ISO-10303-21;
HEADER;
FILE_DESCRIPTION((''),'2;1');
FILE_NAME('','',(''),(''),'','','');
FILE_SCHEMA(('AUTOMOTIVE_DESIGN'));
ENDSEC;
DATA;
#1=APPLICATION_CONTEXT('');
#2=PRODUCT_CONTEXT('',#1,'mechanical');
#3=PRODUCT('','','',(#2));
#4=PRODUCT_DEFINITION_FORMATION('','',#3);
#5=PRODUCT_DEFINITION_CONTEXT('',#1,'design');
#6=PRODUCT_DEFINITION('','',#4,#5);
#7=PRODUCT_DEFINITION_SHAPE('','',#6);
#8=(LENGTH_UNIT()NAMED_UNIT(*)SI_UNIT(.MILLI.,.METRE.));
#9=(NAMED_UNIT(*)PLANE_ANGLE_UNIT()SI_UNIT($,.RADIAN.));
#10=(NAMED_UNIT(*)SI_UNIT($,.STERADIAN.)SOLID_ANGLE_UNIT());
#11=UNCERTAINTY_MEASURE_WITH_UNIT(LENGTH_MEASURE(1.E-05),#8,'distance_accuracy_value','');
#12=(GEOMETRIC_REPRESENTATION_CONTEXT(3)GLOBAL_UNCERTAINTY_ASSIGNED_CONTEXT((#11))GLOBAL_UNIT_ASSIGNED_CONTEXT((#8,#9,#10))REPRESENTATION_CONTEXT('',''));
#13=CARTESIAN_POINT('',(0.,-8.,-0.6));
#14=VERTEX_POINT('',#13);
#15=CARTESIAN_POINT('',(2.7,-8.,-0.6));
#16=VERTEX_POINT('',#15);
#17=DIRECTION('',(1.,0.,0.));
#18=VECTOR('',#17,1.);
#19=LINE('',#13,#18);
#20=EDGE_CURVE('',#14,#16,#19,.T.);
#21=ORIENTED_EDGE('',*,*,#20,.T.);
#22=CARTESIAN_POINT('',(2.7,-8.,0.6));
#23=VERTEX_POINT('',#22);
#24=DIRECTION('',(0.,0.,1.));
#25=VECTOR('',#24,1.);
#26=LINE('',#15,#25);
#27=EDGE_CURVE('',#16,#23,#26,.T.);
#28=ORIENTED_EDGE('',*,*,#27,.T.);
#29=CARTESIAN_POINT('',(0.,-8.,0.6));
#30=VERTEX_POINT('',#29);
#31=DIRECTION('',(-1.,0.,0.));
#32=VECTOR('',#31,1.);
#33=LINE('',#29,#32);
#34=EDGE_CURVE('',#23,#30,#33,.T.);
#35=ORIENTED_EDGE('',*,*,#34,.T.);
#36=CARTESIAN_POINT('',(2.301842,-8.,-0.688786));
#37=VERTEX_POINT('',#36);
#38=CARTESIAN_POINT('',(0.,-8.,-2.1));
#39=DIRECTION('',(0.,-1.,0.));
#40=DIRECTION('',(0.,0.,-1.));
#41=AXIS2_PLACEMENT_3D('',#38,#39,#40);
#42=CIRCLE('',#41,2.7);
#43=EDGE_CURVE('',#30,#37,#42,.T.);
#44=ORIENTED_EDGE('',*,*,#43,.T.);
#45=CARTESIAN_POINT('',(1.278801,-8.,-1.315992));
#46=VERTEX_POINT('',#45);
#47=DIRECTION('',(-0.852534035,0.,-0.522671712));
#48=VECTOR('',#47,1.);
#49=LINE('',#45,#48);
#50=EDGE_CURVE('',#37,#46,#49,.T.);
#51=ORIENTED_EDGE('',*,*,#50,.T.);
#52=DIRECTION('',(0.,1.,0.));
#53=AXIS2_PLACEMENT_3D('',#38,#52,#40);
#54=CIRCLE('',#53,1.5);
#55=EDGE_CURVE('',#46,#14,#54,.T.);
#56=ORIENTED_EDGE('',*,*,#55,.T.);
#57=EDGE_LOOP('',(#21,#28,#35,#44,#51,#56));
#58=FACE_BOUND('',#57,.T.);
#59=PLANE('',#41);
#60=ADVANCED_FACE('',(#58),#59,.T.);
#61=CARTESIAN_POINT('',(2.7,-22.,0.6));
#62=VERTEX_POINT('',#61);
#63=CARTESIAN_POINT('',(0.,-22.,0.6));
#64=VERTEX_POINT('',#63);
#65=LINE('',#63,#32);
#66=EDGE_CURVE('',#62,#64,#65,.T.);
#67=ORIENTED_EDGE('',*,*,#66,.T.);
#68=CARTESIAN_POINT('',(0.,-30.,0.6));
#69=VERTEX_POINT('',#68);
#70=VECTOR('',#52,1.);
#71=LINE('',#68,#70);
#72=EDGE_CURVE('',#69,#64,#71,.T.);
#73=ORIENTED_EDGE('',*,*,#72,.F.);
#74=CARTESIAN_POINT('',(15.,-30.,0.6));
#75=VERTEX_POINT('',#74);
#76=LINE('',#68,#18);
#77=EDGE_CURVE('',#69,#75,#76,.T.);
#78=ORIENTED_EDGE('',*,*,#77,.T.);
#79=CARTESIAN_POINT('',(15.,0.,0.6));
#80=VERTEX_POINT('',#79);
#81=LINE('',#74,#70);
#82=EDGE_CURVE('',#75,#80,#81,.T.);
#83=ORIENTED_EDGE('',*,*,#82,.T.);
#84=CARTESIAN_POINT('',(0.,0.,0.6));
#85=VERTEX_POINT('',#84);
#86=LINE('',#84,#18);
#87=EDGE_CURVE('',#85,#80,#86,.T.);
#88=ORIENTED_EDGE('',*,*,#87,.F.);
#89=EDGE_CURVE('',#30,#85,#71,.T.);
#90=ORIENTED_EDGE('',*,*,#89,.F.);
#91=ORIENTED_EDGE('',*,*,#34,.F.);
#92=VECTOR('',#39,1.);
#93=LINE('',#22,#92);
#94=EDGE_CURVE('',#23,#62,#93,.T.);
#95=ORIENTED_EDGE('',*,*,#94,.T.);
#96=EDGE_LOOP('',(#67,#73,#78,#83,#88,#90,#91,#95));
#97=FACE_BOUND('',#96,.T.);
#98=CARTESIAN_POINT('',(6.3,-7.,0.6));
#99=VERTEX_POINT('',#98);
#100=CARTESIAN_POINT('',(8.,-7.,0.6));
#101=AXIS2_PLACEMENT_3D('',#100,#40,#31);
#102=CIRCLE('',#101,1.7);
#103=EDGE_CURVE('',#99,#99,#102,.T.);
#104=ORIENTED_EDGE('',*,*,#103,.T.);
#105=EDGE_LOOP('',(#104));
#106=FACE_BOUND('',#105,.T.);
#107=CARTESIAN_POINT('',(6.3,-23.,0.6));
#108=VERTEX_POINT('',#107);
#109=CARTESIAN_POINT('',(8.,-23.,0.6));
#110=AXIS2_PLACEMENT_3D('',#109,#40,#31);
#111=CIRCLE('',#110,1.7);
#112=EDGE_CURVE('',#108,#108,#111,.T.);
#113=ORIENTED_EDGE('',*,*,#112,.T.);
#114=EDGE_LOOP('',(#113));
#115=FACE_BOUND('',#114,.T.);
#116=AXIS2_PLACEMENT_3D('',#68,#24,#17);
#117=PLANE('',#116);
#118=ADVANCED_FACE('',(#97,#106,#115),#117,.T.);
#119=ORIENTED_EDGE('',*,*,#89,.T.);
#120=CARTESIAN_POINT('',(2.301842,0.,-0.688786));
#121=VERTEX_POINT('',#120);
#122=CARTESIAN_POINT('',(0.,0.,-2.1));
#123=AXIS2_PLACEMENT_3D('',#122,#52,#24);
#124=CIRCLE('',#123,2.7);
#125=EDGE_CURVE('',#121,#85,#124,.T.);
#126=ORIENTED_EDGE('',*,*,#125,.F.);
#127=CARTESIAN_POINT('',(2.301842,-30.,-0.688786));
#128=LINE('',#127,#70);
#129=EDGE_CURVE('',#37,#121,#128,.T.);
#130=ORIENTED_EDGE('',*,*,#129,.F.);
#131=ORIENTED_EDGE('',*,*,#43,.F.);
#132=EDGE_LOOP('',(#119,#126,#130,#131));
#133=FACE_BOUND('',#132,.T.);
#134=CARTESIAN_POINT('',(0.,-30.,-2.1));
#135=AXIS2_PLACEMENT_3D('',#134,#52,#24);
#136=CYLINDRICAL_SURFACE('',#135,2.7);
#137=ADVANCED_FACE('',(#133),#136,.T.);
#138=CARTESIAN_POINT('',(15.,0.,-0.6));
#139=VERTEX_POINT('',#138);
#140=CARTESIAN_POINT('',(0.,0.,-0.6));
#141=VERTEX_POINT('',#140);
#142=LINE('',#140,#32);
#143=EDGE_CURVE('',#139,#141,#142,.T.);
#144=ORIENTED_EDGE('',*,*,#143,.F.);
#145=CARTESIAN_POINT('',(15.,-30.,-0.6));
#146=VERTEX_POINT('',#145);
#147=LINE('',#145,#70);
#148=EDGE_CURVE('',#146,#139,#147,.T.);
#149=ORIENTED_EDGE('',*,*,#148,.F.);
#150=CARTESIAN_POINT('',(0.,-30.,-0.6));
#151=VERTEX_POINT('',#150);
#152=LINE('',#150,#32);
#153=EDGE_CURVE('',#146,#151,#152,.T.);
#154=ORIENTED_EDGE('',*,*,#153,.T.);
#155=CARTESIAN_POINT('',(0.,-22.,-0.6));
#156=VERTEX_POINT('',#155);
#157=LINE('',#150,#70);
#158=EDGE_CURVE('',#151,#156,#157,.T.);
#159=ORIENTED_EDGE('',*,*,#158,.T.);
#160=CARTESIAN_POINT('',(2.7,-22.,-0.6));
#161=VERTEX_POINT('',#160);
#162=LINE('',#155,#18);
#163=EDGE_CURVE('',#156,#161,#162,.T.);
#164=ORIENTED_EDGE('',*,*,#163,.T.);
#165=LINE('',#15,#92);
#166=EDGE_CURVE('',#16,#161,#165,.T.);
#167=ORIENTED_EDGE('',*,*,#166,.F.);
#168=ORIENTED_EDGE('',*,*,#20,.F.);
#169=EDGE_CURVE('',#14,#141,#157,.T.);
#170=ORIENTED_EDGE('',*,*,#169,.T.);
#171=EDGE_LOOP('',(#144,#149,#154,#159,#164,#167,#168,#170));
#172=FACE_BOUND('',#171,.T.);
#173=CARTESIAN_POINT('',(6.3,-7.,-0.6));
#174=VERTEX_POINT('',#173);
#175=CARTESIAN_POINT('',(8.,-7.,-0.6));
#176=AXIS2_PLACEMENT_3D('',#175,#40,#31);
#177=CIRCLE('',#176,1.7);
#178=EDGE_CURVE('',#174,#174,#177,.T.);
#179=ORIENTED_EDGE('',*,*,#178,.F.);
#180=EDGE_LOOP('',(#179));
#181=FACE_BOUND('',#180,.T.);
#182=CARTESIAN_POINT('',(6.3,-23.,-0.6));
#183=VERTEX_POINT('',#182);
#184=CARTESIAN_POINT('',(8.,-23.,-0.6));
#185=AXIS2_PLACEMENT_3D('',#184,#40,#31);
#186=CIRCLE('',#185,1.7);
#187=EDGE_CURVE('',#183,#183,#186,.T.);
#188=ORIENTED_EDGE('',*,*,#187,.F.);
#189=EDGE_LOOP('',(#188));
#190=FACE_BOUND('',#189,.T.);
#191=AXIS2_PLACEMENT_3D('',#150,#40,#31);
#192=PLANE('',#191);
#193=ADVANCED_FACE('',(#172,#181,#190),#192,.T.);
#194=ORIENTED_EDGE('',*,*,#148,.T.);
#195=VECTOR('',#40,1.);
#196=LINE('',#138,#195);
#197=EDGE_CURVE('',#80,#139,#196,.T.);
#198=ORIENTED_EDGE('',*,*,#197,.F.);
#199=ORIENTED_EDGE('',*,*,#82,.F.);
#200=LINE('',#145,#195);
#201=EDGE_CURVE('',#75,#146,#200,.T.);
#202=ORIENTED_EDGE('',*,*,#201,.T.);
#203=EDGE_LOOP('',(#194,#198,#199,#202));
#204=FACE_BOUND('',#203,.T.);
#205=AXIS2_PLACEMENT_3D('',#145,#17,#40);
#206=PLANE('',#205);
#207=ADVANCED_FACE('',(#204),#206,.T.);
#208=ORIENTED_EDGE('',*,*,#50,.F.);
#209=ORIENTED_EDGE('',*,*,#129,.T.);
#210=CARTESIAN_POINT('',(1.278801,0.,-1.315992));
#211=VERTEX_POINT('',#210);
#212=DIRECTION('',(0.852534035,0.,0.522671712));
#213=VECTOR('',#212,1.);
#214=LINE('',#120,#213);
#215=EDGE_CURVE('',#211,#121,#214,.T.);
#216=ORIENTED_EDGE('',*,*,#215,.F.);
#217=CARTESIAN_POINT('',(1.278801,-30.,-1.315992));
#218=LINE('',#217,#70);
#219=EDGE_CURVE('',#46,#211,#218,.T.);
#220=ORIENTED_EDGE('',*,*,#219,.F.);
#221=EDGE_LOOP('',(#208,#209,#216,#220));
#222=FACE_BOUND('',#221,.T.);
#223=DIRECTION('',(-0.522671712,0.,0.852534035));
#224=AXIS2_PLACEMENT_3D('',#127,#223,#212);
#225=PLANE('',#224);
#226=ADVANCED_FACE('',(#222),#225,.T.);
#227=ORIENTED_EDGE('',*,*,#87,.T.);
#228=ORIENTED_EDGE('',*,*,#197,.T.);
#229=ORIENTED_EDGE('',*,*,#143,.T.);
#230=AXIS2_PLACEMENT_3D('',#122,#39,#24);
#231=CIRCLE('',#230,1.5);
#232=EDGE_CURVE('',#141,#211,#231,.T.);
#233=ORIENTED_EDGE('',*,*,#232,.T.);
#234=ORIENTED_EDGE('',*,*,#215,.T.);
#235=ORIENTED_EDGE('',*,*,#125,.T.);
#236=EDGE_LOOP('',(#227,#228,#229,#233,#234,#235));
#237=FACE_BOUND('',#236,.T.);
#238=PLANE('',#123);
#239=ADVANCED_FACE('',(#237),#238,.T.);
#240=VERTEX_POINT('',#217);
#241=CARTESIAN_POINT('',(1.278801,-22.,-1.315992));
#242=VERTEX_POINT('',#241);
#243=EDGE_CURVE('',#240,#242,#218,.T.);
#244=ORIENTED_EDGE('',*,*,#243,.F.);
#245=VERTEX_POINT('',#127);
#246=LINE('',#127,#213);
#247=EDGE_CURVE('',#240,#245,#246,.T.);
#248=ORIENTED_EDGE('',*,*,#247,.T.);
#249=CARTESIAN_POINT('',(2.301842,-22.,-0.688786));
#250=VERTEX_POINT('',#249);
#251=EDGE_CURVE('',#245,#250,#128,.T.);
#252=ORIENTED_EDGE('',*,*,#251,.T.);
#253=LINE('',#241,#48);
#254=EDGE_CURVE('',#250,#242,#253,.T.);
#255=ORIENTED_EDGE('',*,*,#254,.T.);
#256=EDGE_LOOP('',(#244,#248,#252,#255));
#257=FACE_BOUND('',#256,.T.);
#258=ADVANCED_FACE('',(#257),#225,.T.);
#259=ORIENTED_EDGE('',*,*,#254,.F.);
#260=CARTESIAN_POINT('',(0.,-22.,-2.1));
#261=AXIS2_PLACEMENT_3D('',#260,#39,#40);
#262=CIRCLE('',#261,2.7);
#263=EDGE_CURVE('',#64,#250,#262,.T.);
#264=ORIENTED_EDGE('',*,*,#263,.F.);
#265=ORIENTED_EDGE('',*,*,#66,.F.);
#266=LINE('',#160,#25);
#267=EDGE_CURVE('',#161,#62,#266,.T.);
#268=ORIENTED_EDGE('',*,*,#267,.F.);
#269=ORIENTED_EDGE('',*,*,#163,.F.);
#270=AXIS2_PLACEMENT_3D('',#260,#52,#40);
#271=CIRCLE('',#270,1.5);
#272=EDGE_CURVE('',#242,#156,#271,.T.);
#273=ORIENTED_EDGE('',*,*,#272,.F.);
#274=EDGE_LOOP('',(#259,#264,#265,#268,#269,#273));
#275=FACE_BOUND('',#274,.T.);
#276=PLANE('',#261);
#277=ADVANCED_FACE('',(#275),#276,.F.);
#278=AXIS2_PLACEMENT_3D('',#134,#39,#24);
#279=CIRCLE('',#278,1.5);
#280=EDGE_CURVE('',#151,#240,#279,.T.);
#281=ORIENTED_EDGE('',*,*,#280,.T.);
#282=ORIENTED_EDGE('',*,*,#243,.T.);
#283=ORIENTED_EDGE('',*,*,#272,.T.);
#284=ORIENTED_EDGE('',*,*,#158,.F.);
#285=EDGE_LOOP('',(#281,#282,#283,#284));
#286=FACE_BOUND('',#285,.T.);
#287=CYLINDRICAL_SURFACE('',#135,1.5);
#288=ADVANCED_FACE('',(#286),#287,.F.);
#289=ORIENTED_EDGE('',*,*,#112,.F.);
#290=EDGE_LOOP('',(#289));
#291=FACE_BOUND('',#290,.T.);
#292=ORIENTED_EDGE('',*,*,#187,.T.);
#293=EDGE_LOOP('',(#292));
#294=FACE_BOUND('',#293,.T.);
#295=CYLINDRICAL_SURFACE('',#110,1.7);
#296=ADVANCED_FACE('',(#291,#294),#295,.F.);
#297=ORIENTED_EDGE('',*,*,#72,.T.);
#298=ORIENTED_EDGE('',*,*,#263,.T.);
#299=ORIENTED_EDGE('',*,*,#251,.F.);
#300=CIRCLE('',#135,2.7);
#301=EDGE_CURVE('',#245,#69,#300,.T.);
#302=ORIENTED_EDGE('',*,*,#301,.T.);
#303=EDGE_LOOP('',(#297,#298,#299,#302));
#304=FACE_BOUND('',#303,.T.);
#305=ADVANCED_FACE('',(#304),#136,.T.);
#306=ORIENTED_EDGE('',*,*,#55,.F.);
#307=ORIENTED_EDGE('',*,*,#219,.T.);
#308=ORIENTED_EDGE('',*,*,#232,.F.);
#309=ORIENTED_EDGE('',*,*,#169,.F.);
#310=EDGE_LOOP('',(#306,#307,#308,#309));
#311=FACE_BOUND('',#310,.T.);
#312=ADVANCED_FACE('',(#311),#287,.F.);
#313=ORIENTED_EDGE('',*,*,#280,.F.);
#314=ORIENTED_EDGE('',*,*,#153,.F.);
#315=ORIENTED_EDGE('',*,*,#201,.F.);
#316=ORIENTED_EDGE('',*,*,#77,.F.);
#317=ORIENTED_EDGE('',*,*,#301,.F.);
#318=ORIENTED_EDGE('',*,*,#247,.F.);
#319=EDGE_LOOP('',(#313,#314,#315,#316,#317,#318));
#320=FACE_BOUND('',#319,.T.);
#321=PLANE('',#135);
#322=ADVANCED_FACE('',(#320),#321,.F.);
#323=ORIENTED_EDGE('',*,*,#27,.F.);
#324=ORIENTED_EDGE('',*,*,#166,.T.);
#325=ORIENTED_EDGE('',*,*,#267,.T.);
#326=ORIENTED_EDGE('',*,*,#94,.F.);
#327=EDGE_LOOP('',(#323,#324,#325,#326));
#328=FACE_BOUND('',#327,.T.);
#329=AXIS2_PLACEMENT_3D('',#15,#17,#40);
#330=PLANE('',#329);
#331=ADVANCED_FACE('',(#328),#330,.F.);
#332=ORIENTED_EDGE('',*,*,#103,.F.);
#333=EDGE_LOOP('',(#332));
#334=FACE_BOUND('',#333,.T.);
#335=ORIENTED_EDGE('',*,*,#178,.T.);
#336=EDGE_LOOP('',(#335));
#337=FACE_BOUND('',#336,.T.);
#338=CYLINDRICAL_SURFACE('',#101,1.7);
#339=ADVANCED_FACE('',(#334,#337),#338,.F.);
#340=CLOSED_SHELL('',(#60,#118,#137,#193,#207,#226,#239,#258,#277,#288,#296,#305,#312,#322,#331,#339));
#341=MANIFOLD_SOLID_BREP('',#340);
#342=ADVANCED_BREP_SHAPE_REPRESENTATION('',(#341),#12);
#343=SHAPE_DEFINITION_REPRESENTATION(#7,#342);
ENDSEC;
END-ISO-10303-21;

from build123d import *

# Parameters (mm, degrees)
Y_KSEKLIK_EKSTR_ZYON1_DEPTH = 30
KES_EKSTR_ZYON2_START       = -22
KES_EKSTR_ZYON2_DEPTH       = 14
IZIM4_R                     = 1.7
KES_EKSTR_ZYON3_DEPTH       = 1.2


with BuildPart() as part:
    # Çizim1 → Yükseklik-Ekstrüzyon1 (new body)
    with BuildSketch(Plane(origin=(0, 0, 0), x_dir=(1, 0, 0), z_dir=(0, 1, 0))):
        with BuildLine():
            Line((0, 0.6), (15, 0.6))
            Line((15, 0.6), (15, -0.6))
            Line((15, -0.6), (0, -0.6))
            ThreePointArc((0, -0.6), (-1.319038138, 4.455873169), (2.301841896, 0.688786378))
            Line((2.301841896, 0.688786378), (1.278801053, 1.315992432))
            ThreePointArc((1.278801053, 1.315992432), (-0.732798966, 3.408818427), (0, 0.6))
        make_face()
    extrude(amount=-Y_KSEKLIK_EKSTR_ZYON1_DEPTH)

    # Çizim3 → Kes-Ekstrüzyon2 (cut)
    with BuildSketch(Plane.XZ.offset(30).offset(KES_EKSTR_ZYON2_START)):
        with BuildLine():
            Line((1.278801053, -1.315992432), (2.301841896, -0.688786378))
            ThreePointArc((2.301841896, -0.688786378), (-1.319038138, -4.455873169), (0, 0.6))
            Line((0, 0.6), (2.7, 0.6))
            Line((2.7, 0.6), (2.7, -0.6))
            Line((2.7, -0.6), (0, -0.6))
            ThreePointArc((0, -0.6), (-0.732798966, -3.408818427), (1.278801053, -1.315992432))
        make_face()
    extrude(amount=KES_EKSTR_ZYON2_DEPTH, mode=Mode.SUBTRACT)

    # Çizim4 → Kes-Ekstrüzyon3 (cut)
    with BuildSketch(Plane(origin=(0, 0, -0.6), x_dir=(-1, 0, 0), z_dir=(0, 0, -1))):
        with Locations((-8, -23)):
            Circle(IZIM4_R)
        with Locations((-8, -7)):
            Circle(IZIM4_R)
    extrude(amount=-KES_EKSTR_ZYON3_DEPTH, mode=Mode.SUBTRACT)


solid = part.part
